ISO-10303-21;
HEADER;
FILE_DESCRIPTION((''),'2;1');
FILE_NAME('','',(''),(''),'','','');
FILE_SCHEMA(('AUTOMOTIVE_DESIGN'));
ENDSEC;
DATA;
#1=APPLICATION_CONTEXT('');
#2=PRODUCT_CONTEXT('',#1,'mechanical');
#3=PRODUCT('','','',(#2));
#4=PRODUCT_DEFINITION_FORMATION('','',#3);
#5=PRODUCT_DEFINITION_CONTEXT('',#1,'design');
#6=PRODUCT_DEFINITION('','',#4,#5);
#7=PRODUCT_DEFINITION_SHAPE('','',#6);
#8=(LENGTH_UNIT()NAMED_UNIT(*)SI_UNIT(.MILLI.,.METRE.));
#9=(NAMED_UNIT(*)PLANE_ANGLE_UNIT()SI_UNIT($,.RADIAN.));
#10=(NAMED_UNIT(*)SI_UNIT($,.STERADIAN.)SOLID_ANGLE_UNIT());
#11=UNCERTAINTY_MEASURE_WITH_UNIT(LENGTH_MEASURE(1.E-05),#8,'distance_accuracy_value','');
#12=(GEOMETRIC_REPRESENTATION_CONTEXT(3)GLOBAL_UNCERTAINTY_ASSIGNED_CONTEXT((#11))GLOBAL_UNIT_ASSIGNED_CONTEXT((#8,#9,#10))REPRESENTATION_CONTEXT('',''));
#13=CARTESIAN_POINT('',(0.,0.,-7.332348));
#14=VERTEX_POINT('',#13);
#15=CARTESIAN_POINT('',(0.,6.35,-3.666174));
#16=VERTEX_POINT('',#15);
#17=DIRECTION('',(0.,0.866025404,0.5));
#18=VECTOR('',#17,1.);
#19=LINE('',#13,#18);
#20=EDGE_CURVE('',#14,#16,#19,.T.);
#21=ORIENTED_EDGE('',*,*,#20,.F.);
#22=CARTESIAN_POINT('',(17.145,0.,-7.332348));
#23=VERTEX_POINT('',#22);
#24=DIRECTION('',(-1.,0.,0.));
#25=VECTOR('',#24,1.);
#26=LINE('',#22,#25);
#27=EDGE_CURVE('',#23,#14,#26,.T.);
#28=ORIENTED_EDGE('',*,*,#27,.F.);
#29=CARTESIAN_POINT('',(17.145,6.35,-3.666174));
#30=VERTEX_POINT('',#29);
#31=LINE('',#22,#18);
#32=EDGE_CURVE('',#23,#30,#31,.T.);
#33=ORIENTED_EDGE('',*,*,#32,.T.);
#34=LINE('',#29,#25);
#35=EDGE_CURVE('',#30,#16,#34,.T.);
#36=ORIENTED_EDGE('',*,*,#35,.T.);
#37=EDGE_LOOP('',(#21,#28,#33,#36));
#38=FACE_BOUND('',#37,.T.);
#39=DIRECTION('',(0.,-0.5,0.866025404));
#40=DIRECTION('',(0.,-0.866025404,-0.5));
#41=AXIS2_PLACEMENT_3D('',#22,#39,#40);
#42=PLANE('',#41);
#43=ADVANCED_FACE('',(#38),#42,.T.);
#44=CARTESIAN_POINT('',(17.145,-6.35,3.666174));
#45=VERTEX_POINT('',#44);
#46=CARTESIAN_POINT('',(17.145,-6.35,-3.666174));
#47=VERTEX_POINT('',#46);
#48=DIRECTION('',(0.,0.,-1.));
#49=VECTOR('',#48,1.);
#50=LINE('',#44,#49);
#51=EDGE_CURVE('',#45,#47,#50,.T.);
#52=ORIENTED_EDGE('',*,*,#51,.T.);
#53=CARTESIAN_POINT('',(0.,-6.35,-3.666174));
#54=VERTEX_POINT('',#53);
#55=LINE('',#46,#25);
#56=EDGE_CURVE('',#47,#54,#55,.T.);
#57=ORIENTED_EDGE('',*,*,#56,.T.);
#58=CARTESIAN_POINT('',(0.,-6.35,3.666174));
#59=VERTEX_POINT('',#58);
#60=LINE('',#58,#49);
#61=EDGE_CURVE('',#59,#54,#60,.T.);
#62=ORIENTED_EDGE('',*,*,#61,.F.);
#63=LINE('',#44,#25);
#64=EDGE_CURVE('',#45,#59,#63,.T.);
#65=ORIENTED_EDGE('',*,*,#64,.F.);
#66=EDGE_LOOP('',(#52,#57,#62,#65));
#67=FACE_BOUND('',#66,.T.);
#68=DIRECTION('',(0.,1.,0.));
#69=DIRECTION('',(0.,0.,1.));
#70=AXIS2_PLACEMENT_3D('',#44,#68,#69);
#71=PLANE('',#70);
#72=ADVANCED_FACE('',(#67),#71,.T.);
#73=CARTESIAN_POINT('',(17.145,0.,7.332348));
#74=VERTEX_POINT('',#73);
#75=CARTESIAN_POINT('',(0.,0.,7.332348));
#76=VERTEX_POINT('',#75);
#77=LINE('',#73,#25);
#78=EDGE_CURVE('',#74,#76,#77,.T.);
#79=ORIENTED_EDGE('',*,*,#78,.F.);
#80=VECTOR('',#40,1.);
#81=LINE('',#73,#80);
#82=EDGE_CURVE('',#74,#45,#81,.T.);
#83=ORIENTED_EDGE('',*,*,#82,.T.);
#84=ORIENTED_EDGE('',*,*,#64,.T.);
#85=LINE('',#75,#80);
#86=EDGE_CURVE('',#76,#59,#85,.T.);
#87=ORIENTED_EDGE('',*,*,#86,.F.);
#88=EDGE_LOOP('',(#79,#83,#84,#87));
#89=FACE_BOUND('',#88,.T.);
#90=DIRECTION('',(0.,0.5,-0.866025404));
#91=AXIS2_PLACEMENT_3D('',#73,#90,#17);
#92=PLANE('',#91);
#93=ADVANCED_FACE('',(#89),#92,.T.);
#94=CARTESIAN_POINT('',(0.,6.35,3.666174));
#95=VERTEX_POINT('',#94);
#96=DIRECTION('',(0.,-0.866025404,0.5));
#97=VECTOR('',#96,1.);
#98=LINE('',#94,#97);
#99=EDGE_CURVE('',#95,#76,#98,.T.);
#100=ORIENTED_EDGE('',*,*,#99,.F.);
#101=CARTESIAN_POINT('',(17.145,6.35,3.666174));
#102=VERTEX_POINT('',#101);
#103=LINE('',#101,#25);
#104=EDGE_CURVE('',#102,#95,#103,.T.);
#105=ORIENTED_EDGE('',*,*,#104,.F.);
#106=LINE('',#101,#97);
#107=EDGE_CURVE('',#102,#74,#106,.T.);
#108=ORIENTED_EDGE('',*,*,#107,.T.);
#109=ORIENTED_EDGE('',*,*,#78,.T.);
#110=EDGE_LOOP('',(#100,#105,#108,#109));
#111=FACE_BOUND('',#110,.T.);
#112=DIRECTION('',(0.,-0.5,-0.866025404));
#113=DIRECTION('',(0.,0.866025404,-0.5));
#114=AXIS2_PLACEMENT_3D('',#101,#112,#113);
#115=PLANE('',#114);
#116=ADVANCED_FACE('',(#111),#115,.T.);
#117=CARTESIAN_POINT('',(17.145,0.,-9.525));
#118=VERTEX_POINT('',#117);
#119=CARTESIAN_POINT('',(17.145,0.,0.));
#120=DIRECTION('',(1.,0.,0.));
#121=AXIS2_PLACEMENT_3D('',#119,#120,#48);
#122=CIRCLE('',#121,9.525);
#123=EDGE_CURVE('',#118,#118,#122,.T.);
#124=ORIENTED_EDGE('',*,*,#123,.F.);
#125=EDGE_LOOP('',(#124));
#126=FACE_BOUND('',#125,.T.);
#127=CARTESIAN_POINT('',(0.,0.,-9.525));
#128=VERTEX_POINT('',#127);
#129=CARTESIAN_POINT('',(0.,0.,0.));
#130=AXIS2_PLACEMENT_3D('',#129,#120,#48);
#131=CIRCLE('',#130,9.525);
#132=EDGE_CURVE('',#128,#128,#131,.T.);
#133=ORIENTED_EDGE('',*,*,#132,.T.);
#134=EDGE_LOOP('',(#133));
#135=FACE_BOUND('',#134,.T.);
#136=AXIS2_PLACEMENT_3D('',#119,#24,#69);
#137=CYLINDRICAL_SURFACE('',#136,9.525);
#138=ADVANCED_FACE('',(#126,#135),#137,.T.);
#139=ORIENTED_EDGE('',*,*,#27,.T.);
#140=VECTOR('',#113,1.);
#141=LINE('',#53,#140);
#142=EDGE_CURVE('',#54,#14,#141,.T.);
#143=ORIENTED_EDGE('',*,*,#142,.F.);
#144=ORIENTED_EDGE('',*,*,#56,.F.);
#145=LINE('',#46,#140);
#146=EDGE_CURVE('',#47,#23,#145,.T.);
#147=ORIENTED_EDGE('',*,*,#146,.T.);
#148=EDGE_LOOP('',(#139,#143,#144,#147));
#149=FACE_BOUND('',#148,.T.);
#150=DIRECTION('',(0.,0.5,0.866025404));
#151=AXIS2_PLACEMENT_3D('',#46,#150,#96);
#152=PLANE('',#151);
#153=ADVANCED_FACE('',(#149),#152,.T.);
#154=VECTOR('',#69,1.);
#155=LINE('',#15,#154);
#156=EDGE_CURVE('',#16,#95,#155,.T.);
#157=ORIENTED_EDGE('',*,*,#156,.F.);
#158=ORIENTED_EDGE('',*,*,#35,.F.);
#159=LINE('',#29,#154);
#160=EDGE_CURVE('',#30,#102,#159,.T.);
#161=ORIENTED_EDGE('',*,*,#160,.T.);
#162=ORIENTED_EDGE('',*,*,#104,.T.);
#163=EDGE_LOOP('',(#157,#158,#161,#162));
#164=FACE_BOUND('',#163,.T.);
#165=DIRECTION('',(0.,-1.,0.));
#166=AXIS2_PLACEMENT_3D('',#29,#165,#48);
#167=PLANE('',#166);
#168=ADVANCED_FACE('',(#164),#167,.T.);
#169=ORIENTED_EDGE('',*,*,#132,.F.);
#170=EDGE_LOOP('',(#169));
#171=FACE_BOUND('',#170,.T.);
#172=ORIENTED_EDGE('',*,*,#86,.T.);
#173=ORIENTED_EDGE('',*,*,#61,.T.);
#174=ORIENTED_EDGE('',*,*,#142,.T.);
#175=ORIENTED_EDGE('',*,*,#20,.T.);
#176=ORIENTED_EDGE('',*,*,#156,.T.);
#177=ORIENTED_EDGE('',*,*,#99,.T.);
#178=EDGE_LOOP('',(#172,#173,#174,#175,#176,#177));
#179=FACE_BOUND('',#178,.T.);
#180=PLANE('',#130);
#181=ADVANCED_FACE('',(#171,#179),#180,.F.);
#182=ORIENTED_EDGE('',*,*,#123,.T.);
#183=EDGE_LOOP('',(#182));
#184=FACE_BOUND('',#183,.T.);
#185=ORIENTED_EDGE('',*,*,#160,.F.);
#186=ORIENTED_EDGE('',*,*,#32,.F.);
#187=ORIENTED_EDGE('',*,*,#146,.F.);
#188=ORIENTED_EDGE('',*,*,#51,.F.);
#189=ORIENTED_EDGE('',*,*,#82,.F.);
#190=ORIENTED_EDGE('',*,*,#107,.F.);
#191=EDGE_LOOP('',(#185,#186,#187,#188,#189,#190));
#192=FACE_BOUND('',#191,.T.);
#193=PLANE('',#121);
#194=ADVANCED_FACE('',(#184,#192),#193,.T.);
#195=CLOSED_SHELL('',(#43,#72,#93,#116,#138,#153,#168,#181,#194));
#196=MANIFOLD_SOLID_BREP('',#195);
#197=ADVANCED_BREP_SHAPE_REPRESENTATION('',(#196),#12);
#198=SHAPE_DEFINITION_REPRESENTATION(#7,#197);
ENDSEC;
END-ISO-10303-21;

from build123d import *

# Parameters (mm, degrees)
SKETCH1_R           = 9.525
BOSS_EXTRUDE1_DEPTH = 17.145


with BuildPart() as part:
    # Sketch1 → Boss-Extrude1 (new body)
    with BuildSketch(Plane(origin=(0, 0, 0), x_dir=(0, 0, -1), z_dir=(1, 0, 0))):
        Circle(SKETCH1_R)
        Polygon((7.332348419, 0), (3.666174209, 6.35), (-3.666174209, 6.35), (-7.332348419, 0), (-3.666174209, -6.35), (3.666174209, -6.35), align=None, mode=Mode.SUBTRACT)
    extrude(amount=BOSS_EXTRUDE1_DEPTH)


solid = part.part
